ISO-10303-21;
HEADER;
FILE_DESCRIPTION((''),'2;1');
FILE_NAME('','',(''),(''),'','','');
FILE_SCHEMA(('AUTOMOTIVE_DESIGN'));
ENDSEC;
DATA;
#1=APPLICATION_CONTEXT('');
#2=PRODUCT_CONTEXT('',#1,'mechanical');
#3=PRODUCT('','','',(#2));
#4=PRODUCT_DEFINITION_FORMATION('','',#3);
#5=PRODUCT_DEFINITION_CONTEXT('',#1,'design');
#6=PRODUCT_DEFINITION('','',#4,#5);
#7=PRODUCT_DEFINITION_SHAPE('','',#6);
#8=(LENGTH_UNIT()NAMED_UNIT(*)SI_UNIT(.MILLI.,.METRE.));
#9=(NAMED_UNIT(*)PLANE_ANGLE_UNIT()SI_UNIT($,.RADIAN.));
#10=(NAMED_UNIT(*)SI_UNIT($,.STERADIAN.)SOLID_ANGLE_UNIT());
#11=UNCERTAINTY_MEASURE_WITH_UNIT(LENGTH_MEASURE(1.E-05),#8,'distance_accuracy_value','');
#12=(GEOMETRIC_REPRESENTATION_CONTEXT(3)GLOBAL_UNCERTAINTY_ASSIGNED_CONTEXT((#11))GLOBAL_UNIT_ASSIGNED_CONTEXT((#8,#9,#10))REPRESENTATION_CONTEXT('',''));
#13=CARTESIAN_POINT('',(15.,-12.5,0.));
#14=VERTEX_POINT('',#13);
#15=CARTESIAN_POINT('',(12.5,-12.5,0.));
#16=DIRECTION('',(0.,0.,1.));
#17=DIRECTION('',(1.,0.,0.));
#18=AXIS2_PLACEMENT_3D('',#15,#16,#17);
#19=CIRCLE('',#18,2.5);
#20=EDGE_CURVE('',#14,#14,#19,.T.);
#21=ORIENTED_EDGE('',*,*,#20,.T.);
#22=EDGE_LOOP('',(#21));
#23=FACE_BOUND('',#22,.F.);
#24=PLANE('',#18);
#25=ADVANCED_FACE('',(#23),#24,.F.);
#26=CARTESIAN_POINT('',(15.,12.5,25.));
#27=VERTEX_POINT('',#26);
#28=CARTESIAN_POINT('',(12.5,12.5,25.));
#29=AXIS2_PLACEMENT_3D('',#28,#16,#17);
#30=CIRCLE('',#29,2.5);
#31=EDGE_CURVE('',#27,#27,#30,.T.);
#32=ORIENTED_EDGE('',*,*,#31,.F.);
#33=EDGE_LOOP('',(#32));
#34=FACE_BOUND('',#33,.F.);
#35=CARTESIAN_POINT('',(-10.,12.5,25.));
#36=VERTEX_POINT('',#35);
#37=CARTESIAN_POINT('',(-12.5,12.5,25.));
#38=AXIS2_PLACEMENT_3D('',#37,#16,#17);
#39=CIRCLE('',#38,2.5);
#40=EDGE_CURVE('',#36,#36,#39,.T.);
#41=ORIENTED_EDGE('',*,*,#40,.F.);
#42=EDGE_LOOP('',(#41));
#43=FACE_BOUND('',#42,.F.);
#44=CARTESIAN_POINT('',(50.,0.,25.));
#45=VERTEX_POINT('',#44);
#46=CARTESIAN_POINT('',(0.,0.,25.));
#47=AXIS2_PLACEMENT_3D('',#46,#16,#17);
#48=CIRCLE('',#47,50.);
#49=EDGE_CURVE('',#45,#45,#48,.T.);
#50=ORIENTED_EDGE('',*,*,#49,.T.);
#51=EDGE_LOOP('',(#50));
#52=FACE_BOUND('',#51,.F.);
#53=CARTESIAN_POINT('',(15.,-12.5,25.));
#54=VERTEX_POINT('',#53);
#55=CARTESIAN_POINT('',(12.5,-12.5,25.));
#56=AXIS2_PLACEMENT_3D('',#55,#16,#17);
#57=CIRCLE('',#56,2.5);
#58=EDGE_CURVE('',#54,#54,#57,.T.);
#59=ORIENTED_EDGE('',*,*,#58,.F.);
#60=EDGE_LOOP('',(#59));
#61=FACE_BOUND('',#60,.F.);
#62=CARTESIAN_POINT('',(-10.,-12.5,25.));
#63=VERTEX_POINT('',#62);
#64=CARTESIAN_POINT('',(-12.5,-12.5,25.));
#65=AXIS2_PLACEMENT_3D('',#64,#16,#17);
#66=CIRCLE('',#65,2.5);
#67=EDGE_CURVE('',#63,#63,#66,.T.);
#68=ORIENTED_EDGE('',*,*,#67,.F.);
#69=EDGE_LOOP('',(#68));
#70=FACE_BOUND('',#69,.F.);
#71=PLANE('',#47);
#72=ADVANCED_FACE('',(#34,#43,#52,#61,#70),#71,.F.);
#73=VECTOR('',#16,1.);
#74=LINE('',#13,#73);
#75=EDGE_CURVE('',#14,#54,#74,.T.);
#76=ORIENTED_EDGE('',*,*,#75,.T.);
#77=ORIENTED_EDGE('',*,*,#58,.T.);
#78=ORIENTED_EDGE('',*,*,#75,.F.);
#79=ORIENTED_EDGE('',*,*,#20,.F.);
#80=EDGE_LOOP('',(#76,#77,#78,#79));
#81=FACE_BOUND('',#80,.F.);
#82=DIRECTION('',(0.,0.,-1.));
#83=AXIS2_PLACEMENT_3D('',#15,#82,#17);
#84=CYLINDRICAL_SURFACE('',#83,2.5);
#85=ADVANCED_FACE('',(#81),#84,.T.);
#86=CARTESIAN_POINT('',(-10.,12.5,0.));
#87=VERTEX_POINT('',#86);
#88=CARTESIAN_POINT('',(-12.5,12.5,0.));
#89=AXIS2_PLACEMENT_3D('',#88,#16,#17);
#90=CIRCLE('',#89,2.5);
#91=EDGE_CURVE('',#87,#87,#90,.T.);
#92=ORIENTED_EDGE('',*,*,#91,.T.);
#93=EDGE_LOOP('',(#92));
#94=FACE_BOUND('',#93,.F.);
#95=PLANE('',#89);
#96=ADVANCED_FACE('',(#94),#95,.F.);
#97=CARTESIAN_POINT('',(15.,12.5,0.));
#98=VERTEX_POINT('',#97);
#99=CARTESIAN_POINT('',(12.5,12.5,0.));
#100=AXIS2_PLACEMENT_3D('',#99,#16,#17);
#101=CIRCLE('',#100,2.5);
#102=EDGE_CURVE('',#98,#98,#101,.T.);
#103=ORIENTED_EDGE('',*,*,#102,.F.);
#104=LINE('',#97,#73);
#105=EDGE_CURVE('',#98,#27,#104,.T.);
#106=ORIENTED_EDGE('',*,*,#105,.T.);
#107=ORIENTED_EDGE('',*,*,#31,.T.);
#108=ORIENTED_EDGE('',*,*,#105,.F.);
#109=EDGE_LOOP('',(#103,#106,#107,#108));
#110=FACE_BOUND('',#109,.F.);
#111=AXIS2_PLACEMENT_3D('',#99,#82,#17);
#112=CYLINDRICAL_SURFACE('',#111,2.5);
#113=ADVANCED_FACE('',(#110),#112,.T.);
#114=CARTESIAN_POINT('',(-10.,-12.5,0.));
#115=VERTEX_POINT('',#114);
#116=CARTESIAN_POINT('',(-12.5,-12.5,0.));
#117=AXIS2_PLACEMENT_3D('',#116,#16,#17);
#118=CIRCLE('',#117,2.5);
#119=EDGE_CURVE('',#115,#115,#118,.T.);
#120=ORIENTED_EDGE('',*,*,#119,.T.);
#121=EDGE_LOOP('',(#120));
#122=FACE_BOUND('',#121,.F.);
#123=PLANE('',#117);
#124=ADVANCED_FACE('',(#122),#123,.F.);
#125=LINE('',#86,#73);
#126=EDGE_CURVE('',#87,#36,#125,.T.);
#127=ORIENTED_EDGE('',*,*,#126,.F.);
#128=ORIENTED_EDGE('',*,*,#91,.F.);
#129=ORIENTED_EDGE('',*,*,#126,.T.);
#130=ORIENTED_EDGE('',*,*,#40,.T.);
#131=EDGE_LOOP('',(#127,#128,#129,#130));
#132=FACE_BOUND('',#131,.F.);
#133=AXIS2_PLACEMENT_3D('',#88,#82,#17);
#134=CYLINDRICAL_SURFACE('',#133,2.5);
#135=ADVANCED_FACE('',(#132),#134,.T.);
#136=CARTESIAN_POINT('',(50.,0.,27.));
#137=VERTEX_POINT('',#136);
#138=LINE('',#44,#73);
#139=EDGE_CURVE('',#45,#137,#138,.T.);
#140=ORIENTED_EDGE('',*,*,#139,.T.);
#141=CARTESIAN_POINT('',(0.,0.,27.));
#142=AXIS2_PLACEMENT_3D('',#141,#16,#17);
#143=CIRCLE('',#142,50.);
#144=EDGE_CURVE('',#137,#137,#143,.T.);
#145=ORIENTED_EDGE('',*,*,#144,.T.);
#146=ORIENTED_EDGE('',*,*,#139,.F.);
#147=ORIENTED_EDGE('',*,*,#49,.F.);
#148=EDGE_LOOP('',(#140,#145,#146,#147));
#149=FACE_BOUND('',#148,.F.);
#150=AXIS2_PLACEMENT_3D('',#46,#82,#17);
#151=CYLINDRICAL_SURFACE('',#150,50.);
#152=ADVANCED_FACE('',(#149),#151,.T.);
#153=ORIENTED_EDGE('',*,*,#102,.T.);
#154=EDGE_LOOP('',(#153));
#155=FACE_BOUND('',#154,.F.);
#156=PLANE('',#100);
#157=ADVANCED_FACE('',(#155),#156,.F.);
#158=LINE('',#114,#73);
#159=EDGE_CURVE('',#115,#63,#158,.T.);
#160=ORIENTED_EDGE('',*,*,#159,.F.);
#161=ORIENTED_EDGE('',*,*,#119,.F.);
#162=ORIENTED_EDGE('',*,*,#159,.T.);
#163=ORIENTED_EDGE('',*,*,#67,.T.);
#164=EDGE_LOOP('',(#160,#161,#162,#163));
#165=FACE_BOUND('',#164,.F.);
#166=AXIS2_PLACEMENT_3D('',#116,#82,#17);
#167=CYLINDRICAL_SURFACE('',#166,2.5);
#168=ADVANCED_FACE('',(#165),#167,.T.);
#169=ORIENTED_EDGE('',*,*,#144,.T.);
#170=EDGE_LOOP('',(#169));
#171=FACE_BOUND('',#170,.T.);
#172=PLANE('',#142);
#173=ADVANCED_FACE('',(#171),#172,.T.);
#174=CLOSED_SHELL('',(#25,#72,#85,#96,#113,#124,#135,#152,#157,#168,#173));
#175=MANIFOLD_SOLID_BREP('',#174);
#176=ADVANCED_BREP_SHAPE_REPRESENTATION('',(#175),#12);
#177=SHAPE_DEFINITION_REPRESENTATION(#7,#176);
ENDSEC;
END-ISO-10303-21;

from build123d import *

# Parameters (mm, degrees)
F0_R     = 2.5
F1_DEPTH = 25
F2_R     = 50
F2_R_2   = 2.5
F3_DEPTH = 25
F5_R     = 50
F5_R_2   = 2.5
F6_DEPTH = 2


with BuildPart() as f1:
    # F0 (on Top) → F1 (new body)
    with BuildSketch(Plane.XY):
        with Locations((12.5, 12.5)):
            Circle(F0_R)
        with Locations((-12.5, -12.5)):
            Circle(F0_R)
        with Locations((12.5, -12.5)):
            Circle(F0_R)
        with Locations((-12.5, 12.5)):
            Circle(F0_R)
    extrude(amount=F1_DEPTH)

    # F5 (on face) → F6 (join)
    with BuildSketch(Plane.XY.offset(25)):
        Circle(F5_R)
        with Locations((12.5, 12.5)):
            Circle(F5_R_2, mode=Mode.SUBTRACT)
        with Locations((12.5, 12.5)):
            Circle(F5_R_2)
    extrude(amount=F6_DEPTH)


with BuildPart() as f3:
    # F2 (on face) → F3 (new body)
    with BuildSketch(Plane.XY.offset(25)):
        Circle(F2_R)
        with Locations((12.5, 12.5)):
            Circle(F2_R_2, mode=Mode.SUBTRACT)
    extrude(amount=F3_DEPTH)


solid = f1.part
